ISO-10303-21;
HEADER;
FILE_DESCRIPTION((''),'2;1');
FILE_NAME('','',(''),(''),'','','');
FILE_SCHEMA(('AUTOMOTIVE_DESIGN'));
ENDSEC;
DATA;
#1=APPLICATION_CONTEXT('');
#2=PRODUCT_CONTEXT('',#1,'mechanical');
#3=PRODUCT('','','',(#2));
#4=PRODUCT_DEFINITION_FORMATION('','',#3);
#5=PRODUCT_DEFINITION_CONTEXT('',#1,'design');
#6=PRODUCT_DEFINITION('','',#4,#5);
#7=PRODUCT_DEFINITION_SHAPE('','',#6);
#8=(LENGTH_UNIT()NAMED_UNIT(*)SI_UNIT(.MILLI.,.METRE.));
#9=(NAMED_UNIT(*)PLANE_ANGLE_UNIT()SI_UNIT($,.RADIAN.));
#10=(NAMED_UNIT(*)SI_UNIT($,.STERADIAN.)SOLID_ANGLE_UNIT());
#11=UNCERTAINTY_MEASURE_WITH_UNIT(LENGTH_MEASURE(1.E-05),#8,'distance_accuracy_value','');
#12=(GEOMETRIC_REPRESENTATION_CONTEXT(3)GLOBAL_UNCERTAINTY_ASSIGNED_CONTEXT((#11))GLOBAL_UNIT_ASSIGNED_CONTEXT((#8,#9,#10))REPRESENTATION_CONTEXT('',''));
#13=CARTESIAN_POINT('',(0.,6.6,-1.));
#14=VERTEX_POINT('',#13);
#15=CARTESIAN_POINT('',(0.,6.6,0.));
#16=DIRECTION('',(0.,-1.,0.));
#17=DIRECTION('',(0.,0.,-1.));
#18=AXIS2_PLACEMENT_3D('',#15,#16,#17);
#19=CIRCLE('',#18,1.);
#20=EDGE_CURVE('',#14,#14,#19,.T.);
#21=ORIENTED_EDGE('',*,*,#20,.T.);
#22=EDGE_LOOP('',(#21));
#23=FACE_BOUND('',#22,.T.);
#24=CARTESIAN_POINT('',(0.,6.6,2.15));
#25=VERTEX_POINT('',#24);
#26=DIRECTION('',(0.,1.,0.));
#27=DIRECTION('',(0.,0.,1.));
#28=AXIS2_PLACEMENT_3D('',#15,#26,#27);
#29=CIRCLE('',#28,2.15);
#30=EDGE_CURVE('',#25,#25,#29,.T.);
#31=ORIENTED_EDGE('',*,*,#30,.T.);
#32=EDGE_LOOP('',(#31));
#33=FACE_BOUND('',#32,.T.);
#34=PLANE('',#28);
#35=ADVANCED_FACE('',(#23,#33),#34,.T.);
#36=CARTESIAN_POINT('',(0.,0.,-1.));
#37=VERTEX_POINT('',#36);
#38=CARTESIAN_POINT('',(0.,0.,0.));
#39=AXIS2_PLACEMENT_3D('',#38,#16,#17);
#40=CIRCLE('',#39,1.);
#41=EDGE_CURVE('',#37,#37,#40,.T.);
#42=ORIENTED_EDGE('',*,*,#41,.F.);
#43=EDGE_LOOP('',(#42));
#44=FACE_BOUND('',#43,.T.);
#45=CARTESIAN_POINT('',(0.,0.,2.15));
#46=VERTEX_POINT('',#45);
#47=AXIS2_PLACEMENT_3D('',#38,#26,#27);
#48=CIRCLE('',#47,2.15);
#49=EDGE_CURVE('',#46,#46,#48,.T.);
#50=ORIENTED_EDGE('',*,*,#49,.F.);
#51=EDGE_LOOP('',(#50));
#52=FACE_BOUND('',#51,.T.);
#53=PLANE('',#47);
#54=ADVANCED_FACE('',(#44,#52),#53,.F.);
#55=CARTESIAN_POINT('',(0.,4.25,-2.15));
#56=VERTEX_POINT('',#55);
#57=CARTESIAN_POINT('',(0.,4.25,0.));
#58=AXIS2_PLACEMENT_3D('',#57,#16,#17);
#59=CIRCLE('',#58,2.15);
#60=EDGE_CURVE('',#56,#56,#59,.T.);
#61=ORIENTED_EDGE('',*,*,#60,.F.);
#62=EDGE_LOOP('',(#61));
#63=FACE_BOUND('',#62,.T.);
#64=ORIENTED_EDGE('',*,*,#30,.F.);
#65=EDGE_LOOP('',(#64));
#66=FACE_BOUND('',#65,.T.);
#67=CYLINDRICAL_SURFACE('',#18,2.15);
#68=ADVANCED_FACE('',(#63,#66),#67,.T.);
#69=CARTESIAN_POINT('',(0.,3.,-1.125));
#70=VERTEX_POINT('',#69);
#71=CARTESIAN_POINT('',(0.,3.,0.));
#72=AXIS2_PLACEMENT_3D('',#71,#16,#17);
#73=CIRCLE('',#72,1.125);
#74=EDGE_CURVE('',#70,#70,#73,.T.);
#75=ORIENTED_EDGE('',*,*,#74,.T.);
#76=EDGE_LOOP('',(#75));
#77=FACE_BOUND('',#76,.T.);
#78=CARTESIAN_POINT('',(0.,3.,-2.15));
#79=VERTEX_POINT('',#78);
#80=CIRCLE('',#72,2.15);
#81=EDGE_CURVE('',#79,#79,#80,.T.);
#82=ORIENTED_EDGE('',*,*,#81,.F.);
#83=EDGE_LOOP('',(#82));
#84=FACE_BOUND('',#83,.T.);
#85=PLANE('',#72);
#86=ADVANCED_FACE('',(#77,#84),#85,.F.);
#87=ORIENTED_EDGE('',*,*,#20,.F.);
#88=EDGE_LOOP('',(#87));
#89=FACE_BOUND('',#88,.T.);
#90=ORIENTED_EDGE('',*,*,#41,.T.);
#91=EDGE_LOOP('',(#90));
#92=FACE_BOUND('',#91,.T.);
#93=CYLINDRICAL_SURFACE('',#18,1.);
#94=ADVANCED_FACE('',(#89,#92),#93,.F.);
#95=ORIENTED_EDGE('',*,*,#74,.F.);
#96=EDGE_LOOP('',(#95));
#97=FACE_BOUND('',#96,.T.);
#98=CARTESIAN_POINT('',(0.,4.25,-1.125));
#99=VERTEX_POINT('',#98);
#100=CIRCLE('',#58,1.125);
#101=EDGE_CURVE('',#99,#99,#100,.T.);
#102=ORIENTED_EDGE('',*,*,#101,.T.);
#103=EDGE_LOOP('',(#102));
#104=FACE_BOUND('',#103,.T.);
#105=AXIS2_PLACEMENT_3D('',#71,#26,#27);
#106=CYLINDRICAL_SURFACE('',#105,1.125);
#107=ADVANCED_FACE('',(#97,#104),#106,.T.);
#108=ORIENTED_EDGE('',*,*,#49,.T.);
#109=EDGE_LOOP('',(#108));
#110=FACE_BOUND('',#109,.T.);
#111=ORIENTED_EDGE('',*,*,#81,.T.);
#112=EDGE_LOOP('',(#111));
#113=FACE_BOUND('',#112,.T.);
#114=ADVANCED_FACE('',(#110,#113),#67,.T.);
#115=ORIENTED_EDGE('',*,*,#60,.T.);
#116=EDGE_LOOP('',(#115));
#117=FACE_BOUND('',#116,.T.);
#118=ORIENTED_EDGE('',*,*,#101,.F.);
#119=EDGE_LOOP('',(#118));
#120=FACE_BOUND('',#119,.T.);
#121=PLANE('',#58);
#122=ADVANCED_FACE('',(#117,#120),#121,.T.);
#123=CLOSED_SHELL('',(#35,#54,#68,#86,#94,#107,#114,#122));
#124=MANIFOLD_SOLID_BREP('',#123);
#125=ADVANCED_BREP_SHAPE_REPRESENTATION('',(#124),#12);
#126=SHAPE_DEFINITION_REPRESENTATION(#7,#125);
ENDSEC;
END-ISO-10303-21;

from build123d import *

# Parameters (mm, degrees)
SKETCH1_R           = 2.15
BOSS_EXTRUDE1_DEPTH = 6.6
SKETCH2_R           = 1
CUT_EXTRUDE1_DEPTH  = 7.6
SKETCH3_R           = 2.15
SKETCH3_R_2         = 1.125
CUT_EXTRUDE2_DEPTH  = 1.25


with BuildPart() as part:
    # Sketch1 → Boss-Extrude1 (new body)
    with BuildSketch(Plane(origin=(0, 0, 0), x_dir=(1, 0, 0), z_dir=(0, 1, 0))):
        Circle(SKETCH1_R)
    extrude(amount=BOSS_EXTRUDE1_DEPTH)

    # Sketch2 → Cut-Extrude1 (cut, through all)
    with BuildSketch(Plane.XZ):
        Circle(SKETCH2_R)
    extrude(amount=-CUT_EXTRUDE1_DEPTH, mode=Mode.SUBTRACT)

    # Sketch3 → Cut-Extrude2 (cut)
    with BuildSketch(Plane(origin=(0, 4.25, 0), x_dir=(-1, 0, 0), z_dir=(0, -1, 0))):
        Circle(SKETCH3_R)
        Circle(SKETCH3_R_2, mode=Mode.SUBTRACT)
    extrude(amount=CUT_EXTRUDE2_DEPTH, mode=Mode.SUBTRACT)


solid = part.part
